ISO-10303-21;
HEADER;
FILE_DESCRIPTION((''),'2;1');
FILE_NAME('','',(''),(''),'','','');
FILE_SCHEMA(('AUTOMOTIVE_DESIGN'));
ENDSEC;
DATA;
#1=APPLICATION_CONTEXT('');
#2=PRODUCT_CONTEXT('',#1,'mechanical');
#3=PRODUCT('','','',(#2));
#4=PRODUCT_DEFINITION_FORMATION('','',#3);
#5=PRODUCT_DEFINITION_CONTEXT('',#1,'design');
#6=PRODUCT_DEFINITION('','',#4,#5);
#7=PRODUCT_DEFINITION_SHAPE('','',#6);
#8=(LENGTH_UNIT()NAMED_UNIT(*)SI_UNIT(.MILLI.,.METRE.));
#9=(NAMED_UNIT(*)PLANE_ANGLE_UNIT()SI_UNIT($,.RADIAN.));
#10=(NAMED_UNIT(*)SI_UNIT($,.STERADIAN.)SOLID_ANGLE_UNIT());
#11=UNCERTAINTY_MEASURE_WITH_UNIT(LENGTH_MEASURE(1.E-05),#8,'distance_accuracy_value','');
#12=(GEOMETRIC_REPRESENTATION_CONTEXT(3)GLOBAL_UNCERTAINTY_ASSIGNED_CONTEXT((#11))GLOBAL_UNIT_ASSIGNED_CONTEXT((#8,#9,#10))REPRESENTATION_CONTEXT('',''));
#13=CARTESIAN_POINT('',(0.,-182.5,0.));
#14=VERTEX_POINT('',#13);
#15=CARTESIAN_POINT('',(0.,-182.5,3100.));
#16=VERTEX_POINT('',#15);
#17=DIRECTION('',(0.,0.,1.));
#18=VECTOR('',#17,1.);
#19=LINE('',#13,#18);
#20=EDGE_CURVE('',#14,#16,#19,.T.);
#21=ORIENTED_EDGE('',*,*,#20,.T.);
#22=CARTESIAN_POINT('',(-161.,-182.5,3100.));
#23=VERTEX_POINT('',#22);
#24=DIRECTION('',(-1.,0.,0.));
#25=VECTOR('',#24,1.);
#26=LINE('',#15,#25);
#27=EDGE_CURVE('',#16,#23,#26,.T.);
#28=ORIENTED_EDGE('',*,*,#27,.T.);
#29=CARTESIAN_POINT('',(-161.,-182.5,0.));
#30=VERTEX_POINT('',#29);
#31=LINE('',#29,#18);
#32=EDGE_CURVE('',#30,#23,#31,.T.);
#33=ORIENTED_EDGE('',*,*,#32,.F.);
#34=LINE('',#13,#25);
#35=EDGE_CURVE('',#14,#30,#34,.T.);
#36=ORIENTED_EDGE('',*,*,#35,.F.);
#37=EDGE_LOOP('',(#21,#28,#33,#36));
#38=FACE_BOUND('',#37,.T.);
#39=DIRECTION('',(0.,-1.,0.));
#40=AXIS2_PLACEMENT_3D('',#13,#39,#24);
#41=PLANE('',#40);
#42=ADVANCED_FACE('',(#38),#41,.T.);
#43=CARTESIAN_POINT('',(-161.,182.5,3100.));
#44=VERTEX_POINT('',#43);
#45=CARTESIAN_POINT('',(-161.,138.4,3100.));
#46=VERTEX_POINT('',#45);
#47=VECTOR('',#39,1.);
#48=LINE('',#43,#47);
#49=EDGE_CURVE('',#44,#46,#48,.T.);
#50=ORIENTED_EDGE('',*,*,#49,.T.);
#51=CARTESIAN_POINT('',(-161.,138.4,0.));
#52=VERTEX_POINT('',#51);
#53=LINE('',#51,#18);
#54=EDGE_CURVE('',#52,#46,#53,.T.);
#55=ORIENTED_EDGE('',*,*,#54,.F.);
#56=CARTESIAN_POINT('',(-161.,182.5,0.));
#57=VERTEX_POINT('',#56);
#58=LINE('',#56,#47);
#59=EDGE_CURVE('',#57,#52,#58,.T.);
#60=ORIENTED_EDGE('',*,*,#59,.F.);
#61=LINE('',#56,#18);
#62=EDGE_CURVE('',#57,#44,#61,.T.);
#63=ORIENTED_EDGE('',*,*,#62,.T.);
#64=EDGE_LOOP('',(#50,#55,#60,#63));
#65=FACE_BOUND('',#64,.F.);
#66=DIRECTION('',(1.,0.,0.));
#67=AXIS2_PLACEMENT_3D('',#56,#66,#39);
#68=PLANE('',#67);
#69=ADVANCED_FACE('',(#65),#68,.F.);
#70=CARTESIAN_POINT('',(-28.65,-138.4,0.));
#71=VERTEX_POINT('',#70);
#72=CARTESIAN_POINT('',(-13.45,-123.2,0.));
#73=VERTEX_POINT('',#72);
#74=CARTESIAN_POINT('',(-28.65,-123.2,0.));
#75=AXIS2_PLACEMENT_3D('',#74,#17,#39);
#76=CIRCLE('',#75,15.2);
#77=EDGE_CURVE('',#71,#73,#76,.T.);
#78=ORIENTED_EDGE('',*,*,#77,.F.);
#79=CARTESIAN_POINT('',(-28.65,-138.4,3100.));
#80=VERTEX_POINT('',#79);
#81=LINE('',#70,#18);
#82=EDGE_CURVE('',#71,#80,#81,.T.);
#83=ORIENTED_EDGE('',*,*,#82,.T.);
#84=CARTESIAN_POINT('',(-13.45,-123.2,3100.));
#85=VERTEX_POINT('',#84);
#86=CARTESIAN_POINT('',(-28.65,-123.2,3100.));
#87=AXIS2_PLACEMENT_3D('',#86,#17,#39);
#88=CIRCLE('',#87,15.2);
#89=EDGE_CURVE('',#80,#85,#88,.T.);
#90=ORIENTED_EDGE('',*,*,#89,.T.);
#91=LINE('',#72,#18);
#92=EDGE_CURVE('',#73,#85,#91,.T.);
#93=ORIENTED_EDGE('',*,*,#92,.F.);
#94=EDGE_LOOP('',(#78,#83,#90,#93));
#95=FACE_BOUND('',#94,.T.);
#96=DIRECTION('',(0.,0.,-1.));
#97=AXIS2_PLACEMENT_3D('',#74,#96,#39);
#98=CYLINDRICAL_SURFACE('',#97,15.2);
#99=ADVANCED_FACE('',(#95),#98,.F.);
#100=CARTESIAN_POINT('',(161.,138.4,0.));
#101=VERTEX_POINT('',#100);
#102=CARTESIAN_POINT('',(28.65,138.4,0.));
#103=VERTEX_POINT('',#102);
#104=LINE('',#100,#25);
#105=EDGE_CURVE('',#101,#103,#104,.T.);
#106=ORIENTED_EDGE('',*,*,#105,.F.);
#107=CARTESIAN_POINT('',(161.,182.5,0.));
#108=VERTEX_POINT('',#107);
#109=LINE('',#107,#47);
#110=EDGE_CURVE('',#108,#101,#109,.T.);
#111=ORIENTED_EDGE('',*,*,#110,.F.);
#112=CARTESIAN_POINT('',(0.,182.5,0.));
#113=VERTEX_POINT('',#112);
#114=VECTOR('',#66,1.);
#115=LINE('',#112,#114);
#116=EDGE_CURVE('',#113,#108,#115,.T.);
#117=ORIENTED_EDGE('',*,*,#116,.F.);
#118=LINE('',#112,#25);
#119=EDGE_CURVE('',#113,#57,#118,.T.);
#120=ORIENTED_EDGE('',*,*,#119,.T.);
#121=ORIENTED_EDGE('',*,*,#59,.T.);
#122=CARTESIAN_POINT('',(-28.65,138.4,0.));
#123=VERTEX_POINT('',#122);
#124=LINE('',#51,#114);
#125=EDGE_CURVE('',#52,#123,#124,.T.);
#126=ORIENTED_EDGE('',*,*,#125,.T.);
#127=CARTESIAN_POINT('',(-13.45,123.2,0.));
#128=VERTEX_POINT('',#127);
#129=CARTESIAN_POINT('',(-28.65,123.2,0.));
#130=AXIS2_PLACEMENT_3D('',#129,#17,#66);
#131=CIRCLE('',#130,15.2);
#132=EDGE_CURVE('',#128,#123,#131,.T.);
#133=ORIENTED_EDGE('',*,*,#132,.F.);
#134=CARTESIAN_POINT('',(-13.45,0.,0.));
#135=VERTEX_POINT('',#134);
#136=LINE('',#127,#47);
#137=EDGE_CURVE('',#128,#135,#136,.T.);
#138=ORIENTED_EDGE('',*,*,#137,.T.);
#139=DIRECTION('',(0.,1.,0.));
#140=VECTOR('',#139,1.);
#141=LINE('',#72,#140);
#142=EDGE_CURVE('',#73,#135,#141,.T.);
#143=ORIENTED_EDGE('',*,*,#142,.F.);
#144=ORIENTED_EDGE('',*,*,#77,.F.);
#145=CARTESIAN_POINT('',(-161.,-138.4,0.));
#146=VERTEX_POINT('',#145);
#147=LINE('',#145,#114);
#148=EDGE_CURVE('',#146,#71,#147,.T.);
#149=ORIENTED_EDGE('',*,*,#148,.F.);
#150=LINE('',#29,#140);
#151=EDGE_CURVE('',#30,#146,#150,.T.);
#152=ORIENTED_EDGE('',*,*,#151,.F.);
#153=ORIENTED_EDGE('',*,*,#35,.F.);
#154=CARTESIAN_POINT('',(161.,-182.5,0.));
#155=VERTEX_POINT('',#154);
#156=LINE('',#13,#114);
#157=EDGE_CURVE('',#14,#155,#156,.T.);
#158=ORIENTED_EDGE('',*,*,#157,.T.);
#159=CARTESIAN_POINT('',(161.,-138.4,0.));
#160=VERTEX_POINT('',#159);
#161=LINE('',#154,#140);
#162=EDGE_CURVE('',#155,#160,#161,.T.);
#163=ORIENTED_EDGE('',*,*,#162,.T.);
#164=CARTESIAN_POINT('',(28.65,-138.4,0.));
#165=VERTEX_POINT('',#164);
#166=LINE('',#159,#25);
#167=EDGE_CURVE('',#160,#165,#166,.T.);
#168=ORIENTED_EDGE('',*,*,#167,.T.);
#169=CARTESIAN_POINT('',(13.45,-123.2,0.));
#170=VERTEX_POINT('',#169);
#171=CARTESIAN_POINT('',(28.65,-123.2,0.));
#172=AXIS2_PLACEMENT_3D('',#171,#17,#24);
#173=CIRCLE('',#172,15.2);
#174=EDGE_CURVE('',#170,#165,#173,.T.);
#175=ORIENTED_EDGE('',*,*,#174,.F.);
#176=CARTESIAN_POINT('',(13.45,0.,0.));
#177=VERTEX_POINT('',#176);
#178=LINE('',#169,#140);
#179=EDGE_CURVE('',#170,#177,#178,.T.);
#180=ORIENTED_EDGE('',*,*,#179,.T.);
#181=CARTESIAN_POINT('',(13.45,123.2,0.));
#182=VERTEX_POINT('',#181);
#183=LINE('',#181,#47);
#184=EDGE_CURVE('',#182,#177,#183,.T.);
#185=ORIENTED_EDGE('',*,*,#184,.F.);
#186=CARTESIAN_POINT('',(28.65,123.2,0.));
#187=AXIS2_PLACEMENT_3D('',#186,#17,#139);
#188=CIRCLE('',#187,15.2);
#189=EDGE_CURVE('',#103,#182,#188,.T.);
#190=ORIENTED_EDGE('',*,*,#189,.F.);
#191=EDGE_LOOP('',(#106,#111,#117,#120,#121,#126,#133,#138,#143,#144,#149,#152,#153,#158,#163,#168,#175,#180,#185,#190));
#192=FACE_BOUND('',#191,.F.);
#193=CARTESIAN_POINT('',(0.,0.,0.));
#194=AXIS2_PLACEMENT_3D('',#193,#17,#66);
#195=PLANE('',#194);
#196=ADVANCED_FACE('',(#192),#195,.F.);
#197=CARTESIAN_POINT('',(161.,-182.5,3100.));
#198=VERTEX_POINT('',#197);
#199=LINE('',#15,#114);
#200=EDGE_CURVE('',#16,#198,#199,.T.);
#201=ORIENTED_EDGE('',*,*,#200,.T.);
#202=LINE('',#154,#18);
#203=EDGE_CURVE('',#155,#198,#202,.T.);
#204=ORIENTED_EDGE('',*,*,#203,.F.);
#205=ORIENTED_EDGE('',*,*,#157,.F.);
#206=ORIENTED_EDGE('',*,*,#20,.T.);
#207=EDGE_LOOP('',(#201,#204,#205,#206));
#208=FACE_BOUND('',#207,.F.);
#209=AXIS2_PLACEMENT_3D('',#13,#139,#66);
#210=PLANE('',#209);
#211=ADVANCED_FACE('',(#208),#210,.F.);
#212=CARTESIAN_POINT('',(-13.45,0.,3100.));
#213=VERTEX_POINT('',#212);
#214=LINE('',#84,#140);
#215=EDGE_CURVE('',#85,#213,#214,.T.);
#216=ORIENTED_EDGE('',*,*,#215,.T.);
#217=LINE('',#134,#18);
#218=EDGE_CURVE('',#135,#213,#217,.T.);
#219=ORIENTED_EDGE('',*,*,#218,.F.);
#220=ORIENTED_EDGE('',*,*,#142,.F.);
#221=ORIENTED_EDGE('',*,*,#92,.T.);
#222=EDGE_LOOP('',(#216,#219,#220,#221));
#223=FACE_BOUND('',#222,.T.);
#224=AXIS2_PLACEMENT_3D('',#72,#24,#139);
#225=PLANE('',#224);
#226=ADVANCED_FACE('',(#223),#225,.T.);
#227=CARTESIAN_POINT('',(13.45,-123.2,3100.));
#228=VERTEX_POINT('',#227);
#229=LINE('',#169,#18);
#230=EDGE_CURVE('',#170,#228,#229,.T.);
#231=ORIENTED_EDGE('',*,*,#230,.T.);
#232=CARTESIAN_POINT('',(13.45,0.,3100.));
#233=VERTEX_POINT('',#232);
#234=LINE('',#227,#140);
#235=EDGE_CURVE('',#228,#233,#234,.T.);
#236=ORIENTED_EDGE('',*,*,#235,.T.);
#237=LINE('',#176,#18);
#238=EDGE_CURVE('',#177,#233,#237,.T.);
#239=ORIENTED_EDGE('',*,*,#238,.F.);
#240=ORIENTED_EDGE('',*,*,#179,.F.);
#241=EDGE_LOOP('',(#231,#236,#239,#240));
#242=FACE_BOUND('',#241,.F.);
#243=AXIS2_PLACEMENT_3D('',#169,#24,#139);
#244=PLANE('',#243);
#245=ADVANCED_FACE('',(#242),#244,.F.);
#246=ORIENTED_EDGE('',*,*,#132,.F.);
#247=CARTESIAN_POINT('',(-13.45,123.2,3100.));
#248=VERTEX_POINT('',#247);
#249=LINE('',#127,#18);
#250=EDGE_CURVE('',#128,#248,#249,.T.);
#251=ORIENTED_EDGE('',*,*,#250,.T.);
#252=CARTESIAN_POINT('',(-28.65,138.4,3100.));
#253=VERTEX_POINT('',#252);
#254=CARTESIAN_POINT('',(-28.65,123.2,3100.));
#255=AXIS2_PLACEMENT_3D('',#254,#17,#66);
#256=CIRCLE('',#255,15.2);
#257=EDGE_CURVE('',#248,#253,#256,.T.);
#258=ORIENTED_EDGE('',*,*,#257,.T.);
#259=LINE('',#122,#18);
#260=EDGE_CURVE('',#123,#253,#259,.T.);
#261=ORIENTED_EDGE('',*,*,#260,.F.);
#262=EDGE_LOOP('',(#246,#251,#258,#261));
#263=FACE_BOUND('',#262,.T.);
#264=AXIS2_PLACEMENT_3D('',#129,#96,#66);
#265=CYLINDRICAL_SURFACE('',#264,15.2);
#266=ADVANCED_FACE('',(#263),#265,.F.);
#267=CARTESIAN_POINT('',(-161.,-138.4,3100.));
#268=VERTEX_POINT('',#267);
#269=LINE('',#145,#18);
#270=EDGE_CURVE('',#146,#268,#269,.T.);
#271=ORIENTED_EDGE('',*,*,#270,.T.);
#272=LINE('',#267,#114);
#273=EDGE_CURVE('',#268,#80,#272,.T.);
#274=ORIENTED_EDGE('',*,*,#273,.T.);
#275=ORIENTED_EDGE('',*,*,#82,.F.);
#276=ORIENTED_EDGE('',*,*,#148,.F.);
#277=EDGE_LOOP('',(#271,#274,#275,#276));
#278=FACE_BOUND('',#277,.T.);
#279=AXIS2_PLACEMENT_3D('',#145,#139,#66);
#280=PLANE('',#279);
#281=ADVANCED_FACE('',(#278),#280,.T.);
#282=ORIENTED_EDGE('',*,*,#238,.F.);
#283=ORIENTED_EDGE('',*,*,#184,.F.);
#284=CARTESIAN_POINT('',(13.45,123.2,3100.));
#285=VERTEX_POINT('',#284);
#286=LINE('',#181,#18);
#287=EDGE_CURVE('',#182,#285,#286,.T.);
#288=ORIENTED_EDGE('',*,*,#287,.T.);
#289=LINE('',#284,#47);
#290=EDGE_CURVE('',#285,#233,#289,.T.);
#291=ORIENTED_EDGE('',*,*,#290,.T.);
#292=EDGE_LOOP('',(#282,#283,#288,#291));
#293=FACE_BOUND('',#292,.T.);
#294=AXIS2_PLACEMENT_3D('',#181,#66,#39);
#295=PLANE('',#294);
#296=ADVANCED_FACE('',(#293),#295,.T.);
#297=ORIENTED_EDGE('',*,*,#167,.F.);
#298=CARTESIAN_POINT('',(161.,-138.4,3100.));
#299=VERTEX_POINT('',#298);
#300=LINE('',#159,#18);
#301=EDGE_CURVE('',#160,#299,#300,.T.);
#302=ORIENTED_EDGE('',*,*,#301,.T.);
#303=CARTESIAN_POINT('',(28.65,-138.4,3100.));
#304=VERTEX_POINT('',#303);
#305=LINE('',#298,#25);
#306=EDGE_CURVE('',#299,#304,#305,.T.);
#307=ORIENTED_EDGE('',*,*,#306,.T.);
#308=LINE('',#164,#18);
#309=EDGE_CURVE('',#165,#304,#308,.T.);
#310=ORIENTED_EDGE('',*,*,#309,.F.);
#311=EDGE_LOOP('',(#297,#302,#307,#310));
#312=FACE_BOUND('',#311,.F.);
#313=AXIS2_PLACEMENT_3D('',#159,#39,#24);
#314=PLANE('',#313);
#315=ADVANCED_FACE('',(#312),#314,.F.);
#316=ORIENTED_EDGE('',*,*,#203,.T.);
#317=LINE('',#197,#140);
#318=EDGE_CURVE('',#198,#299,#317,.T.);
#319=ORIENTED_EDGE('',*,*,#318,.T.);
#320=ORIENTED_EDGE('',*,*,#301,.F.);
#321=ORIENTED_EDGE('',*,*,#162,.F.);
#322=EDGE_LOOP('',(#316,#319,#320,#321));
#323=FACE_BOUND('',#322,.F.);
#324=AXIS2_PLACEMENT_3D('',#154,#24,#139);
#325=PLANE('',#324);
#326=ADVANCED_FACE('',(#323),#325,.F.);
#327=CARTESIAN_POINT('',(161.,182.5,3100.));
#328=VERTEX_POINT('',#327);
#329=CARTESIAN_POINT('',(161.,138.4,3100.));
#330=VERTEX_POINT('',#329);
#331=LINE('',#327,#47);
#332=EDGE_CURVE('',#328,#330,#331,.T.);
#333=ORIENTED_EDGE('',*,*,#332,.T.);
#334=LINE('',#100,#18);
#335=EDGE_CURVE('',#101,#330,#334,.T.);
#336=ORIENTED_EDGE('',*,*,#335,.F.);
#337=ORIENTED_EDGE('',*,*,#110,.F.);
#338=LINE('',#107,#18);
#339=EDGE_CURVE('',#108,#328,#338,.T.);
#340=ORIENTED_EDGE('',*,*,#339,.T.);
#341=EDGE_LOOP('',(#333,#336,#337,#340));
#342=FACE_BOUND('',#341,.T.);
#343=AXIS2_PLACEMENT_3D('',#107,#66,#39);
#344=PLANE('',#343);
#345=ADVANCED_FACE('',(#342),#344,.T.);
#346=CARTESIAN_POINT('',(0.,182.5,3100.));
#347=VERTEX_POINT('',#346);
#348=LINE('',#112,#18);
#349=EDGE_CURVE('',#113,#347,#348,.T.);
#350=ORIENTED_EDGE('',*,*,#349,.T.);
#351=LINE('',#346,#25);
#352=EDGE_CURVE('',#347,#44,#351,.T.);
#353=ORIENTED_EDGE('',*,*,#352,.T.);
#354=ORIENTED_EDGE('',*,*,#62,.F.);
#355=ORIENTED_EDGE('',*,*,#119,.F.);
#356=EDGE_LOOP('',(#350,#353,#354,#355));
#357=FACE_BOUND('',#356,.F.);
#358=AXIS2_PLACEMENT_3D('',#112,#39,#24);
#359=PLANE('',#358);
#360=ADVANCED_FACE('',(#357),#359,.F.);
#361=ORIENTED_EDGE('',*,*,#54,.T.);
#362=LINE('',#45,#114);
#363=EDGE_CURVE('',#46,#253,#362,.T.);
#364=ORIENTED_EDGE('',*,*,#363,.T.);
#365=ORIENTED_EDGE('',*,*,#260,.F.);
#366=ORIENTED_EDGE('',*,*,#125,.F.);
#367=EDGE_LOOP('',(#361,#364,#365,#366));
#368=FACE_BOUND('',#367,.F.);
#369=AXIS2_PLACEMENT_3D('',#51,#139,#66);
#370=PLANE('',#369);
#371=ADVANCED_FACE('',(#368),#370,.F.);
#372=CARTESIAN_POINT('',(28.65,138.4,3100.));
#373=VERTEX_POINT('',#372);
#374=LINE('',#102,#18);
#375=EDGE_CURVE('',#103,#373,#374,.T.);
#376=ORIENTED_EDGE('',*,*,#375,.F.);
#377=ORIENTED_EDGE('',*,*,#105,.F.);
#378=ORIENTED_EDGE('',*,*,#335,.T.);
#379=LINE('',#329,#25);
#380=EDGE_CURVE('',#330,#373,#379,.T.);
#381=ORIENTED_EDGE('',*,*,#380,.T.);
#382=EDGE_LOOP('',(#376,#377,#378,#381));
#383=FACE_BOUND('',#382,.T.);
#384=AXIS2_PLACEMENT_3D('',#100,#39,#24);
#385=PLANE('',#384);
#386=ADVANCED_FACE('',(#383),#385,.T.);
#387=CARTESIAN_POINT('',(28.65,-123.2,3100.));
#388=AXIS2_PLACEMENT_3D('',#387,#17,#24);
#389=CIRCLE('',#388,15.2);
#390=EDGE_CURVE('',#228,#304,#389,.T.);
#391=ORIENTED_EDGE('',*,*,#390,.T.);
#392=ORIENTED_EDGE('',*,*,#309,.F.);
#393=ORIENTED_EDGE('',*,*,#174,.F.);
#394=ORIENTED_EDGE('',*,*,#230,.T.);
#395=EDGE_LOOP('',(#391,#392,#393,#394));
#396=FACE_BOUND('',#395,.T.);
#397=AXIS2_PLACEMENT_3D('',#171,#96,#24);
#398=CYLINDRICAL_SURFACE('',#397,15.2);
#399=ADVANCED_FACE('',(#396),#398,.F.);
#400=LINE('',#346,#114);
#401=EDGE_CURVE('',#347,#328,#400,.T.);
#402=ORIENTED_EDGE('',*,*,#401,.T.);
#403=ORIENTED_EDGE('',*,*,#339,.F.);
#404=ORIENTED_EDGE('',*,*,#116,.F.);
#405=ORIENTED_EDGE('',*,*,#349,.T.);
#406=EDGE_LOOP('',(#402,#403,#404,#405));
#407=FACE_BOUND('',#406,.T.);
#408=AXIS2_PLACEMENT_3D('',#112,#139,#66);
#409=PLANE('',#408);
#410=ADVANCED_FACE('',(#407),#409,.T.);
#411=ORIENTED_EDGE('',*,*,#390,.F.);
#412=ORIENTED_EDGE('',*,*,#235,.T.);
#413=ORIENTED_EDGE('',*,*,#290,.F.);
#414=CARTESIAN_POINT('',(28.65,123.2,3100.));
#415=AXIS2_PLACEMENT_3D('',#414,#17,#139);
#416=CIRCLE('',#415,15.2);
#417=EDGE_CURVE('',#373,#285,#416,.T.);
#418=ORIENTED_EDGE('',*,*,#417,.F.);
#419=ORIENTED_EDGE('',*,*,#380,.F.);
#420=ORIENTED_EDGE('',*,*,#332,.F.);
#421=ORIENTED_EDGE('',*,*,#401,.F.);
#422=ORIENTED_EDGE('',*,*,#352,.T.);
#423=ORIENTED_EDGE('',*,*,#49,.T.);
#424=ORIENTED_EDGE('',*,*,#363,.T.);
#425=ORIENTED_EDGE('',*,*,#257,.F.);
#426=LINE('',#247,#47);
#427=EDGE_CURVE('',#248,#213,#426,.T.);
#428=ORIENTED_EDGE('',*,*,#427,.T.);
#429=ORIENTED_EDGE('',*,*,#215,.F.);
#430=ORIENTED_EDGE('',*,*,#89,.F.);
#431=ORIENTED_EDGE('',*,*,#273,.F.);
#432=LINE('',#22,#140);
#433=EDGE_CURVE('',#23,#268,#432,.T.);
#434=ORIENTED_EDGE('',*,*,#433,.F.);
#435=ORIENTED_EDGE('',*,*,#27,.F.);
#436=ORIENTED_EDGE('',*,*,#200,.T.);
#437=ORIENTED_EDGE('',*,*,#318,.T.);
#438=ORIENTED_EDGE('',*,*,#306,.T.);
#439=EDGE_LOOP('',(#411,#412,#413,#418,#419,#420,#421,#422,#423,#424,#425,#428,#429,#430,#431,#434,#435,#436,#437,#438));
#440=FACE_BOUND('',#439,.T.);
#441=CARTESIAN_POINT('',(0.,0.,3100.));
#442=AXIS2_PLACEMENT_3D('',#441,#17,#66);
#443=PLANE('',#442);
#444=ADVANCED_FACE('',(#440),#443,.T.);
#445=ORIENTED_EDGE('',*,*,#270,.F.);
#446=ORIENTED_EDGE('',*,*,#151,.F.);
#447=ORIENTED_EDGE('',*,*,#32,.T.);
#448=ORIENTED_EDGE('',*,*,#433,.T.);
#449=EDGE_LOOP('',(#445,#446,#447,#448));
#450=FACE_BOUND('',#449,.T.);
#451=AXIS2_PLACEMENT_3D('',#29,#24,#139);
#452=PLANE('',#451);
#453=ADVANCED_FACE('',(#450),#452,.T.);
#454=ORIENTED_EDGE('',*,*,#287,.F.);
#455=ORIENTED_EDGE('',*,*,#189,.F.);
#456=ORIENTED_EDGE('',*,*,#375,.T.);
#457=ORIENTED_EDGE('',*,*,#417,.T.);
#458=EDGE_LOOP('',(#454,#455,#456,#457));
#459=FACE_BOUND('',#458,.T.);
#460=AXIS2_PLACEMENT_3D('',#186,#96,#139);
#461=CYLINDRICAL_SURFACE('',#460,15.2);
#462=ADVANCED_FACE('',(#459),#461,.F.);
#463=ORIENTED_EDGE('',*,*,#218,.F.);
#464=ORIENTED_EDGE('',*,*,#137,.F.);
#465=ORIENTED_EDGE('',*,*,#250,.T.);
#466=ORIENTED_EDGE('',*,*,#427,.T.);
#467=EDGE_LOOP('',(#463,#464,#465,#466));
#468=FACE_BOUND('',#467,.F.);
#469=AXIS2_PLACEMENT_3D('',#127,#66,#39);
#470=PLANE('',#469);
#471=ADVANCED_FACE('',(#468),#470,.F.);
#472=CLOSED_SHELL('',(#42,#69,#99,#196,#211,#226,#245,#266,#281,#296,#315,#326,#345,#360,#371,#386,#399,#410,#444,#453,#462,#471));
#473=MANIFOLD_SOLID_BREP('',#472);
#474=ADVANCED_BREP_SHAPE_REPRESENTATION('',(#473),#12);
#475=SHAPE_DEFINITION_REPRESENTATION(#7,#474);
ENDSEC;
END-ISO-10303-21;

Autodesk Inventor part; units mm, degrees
ref_plane "YZ Plane" through (0, 0, 0) normal (1, 0, 0) x (0, 1, 0)
ref_plane "Start plane" through (0, 0, 0) normal (0, 0, 1) x (1, 0, 0)
ref_plane "End plane" through (0, 0, 3100) normal (0, 0, 1) x (1, 0, 0)
sketch "Sketch" plane through (0, 0, 0) normal (0, 0, 1) x (1, 0, 0)
  line L0 (-161, -182.5) -> (-161, -138.4)
  line L1 (-161, -138.4) -> (-28.65, -138.4)
  line L2 (-13.45, -123.2) -> (-13.45, 0)
  line L3 (-13.45, 0) -> (0, 0) construction
  line L4 (0, 0) -> (0, -182.5) construction
  line L5 (0, -182.5) -> (-161, -182.5)
  line L6 (-60, 0) -> (80, 0) construction
  line L7 (0, -60) -> (0, 80) construction
  line L8 (161, -182.5) -> (161, -138.4)
  line L9 (161, -138.4) -> (28.65, -138.4)
  line L10 (13.45, -123.2) -> (13.45, 0)
  line L11 (13.45, 0) -> (0, 0) construction
  line L12 (0, -182.5) -> (161, -182.5)
  line L13 (-161, 182.5) -> (-161, 138.4)
  line L14 (-161, 138.4) -> (-28.65, 138.4)
  line L15 (-13.45, 123.2) -> (-13.45, 0)
  line L16 (0, 182.5) -> (-161, 182.5)
  line L17 (161, 182.5) -> (161, 138.4)
  line L18 (161, 138.4) -> (28.65, 138.4)
  line L19 (0, 182.5) -> (161, 182.5)
  line L20 (13.45, 123.2) -> (13.45, 0)
  arc A0 (-13.45, 123.2) -> (-28.65, 138.4) centre (-28.65, 123.2) ccw
  arc A1 (28.65, 138.4) -> (13.45, 123.2) centre (28.65, 123.2) ccw
  arc A2 (13.45, -123.2) -> (28.65, -138.4) centre (28.65, -123.2) ccw
  arc A3 (-28.65, -138.4) -> (-13.45, -123.2) centre (-28.65, -123.2) ccw
  line L21 (0, 108) -> (0, -88) construction
  line L22 (-88, 0) -> (108, 0) construction
  point P0 (-13.45, -138.4)
  point P1 (13.45, -138.4)
  point P2 (-13.45, 138.4)
  point P3 (13.45, 138.4)
  dimension "d1" = 182.5
  dimension "d2" = 44.1
  dimension "d3" = 161
  dimension "d4" = 13.45
  dimension "d10" = 15.2
extrude "Body" add sketch "Sketch" along normal up to surface (3100 mm away) from surface at 0
sketch "Sketch4" plane through (0, 0, 0) normal (0, 0, 1) x (1, 0, 0)
  line L0 (0, 0) -> (10, 0)
ref_plane "Work Plane3" through (0, 0, 0) normal (0, -1, 0) x (1, 0, 0)
sketch "Sketch5" plane through (0, 0, 0) normal (0, -1, 0) x (1, 0, 0)
  line L0 (-2, 0) -> (12, 0) projected
  line L1 (-2, 3100) -> (12, 3100) projected
  dimension "d14" = 3100
equation "\"d1\" = 0.5 * G_H"
equation "\"d2\" = G_T1"
equation "\"d3\" = 0.5 * G_W"
equation "\"d4\" = 0.5 * G_T"
equation "\"d10\" = G_IR"
equation "\"d5\" = G_L"
equation "\"G_W\" = 322"
equation "\"G_H\" = 365"
equation "\"G_T\" = 26.9"
equation "\"G_T1\" = 44.1"
equation "\"G_IR\" = 15.2"
equation "\"G_L\" = d14"
equation "\"G_OFFSET_START\" = 0"
equation "\"G_OFFSET_END\" = 0"
properties part number "AS 3679 - 310 UC - 283 - 3100" material "Steel, Mild"
